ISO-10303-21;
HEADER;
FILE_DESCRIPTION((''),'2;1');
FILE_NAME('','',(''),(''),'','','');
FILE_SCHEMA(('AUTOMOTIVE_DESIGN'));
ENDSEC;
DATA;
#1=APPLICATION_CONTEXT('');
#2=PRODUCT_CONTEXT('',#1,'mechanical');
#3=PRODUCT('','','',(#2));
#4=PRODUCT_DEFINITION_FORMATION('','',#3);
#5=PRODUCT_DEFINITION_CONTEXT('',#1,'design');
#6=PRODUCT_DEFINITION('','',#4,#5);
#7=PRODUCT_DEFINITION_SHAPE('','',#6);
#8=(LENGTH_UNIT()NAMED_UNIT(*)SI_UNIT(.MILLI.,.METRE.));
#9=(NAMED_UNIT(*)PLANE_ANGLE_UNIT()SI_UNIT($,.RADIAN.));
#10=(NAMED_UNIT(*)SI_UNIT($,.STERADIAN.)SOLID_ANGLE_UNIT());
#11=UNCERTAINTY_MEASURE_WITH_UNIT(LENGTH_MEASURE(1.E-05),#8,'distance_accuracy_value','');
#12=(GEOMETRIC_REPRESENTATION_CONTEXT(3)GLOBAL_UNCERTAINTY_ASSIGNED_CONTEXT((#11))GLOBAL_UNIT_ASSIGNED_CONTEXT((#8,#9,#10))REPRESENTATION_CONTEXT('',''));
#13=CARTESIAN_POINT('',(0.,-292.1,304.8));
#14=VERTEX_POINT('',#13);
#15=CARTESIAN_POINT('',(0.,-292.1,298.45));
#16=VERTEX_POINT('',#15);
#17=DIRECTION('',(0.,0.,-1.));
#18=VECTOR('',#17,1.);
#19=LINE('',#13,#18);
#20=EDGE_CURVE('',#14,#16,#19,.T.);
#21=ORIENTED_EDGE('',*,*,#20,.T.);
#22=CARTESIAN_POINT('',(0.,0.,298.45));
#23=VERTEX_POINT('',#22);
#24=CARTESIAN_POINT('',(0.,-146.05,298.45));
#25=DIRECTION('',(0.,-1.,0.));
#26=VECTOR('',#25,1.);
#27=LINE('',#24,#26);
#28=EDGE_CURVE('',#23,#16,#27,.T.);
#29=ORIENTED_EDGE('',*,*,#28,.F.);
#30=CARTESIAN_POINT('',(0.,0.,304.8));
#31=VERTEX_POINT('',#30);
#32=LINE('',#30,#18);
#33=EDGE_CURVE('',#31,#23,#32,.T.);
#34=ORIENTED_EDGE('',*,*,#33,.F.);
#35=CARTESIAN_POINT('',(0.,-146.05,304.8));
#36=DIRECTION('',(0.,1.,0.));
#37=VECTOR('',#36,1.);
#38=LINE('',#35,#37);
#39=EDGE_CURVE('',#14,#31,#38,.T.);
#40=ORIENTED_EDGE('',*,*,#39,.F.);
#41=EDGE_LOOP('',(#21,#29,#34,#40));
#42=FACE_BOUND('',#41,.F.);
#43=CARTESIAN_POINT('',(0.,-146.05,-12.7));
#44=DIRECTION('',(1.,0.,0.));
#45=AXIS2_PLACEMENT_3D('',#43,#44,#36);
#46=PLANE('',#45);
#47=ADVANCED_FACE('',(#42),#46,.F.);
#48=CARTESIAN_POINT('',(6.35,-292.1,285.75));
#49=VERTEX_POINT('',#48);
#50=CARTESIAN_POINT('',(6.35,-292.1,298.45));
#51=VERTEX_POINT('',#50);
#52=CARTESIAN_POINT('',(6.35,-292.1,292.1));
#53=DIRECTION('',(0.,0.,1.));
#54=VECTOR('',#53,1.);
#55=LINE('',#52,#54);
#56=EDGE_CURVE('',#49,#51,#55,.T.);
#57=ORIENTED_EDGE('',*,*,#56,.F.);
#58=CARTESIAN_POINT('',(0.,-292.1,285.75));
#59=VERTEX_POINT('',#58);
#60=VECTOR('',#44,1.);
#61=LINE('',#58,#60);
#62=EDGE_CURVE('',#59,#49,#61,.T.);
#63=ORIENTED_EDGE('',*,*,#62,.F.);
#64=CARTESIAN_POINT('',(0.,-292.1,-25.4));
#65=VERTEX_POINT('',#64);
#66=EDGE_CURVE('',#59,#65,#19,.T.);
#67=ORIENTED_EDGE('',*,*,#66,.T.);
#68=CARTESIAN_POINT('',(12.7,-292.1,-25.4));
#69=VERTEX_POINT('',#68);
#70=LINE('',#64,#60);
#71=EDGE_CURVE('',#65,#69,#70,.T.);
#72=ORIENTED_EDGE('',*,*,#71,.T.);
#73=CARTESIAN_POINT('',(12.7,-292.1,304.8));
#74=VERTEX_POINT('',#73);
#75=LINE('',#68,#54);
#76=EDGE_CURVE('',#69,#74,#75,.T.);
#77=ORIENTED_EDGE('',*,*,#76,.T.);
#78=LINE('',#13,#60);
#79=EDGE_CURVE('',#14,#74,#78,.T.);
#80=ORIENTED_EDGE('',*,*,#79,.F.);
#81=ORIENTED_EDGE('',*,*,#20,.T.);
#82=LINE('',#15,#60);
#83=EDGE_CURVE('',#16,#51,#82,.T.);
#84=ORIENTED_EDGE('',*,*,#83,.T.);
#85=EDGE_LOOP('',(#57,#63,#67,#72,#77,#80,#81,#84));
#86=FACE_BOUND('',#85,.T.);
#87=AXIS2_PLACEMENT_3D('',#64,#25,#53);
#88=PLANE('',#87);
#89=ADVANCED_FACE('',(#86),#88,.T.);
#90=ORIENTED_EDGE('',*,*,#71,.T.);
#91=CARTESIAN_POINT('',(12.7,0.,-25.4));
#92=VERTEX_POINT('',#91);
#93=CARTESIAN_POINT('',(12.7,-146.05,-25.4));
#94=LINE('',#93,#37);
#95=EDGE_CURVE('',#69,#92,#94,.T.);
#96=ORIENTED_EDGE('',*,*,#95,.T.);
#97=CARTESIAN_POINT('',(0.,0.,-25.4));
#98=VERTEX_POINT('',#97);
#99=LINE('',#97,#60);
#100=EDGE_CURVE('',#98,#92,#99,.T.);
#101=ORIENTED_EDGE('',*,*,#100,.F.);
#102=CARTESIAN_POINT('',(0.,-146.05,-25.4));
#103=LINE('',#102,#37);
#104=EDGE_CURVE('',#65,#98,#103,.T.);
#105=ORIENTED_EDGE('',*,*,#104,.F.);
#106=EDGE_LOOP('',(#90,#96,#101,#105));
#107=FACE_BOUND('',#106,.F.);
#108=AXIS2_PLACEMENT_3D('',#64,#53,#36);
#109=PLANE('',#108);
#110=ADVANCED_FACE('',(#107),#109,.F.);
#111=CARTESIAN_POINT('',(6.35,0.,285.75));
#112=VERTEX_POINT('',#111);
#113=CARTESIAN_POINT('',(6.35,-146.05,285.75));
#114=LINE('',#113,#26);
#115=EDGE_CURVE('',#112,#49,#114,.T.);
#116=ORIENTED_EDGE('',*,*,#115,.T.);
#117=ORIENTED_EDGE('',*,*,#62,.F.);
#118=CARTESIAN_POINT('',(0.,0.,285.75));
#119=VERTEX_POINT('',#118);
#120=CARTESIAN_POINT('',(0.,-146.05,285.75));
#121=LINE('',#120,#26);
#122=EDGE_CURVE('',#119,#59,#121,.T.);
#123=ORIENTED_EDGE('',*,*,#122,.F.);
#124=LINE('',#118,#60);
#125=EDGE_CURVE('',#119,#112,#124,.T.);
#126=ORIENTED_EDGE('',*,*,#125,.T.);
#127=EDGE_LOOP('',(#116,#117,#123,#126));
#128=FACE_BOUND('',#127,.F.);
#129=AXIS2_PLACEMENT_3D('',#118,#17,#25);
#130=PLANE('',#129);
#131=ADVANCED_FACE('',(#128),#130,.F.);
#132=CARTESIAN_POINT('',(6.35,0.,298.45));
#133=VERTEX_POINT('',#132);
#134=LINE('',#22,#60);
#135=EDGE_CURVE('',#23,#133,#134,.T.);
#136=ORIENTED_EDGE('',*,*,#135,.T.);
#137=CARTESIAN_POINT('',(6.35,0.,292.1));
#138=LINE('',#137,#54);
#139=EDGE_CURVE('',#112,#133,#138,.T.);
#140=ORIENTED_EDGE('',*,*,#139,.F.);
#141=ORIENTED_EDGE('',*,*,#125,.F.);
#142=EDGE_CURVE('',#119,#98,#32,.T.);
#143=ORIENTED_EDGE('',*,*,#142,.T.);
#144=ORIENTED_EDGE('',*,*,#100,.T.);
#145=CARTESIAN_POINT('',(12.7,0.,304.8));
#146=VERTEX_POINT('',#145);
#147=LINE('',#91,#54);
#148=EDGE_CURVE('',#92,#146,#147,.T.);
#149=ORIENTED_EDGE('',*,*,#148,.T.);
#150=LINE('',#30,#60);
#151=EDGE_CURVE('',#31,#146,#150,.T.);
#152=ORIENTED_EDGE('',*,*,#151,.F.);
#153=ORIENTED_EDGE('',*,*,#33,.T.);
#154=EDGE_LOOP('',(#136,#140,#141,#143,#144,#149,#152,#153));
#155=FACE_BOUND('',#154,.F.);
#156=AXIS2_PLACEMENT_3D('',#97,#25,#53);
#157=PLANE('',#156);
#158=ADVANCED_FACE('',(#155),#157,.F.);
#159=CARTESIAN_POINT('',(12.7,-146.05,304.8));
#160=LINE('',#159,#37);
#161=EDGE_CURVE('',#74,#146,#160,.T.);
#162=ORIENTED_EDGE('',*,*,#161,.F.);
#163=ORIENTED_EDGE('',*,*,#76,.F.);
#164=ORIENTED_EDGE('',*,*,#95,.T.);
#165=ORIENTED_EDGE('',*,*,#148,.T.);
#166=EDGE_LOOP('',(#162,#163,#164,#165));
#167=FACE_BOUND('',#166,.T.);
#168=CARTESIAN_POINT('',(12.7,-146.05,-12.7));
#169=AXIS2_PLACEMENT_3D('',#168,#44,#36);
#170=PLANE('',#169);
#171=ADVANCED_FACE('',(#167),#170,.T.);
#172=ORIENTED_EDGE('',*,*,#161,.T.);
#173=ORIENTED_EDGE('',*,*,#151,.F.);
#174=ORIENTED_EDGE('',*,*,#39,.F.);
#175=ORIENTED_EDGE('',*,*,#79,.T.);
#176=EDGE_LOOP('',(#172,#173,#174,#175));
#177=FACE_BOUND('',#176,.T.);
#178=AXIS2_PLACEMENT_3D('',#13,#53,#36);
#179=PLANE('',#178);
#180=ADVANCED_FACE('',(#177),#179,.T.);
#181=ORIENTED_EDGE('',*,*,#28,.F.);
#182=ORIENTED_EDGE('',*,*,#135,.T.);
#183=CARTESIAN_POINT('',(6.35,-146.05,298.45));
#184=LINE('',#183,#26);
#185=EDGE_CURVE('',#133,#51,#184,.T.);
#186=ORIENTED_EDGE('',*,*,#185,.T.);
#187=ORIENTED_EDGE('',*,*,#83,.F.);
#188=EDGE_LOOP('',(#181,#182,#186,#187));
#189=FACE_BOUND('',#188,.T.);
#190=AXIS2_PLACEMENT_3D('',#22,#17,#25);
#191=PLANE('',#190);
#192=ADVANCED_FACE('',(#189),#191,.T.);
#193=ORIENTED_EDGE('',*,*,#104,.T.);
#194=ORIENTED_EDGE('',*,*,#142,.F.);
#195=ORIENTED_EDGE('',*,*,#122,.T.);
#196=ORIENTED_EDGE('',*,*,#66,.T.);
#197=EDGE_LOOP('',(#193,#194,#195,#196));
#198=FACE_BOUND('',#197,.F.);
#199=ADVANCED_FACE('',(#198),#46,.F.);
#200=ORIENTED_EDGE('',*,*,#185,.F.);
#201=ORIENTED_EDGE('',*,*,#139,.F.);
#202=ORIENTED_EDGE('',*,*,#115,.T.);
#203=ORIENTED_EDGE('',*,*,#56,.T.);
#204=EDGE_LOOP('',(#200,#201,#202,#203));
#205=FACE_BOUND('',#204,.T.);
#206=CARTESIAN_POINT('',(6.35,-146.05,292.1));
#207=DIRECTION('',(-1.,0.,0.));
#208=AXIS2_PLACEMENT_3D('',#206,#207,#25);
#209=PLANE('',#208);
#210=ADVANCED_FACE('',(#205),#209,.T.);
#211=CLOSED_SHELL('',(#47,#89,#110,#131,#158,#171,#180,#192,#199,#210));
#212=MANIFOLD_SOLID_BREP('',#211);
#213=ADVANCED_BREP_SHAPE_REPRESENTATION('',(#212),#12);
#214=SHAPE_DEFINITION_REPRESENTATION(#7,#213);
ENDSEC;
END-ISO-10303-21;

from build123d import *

# Parameters (mm, degrees)
F0_W     = 292.1
F0_H     = 304.8
F1_DEPTH = 12.7
F2_W     = 292.1
F2_H     = 25.4
F3_DEPTH = 12.7
F4_W     = 292.1
F4_H     = 12.7
F5_DEPTH = 6.35


with BuildPart() as f1:
    # F0 (on Right) → F1 (new body)
    with BuildSketch(Plane.YZ):
        with Locations((-146.05, 152.4)):
            Rectangle(F0_W, F0_H)
    extrude(amount=F1_DEPTH)

    # F2 (on Right) → F3 (join)
    with BuildSketch(Plane.YZ):
        with Locations((-146.05, -12.7)):
            Rectangle(F2_W, F2_H)
    extrude(amount=F3_DEPTH)

    # F4 (on face) → F5 (cut)
    with BuildSketch(Plane(origin=(0, 0, 0), x_dir=(0, -1, 0), z_dir=(-1, 0, 0))):
        with Locations((146.05, 292.1)):
            Rectangle(F4_W, F4_H)
    extrude(amount=-F5_DEPTH, mode=Mode.SUBTRACT)


solid = f1.part
